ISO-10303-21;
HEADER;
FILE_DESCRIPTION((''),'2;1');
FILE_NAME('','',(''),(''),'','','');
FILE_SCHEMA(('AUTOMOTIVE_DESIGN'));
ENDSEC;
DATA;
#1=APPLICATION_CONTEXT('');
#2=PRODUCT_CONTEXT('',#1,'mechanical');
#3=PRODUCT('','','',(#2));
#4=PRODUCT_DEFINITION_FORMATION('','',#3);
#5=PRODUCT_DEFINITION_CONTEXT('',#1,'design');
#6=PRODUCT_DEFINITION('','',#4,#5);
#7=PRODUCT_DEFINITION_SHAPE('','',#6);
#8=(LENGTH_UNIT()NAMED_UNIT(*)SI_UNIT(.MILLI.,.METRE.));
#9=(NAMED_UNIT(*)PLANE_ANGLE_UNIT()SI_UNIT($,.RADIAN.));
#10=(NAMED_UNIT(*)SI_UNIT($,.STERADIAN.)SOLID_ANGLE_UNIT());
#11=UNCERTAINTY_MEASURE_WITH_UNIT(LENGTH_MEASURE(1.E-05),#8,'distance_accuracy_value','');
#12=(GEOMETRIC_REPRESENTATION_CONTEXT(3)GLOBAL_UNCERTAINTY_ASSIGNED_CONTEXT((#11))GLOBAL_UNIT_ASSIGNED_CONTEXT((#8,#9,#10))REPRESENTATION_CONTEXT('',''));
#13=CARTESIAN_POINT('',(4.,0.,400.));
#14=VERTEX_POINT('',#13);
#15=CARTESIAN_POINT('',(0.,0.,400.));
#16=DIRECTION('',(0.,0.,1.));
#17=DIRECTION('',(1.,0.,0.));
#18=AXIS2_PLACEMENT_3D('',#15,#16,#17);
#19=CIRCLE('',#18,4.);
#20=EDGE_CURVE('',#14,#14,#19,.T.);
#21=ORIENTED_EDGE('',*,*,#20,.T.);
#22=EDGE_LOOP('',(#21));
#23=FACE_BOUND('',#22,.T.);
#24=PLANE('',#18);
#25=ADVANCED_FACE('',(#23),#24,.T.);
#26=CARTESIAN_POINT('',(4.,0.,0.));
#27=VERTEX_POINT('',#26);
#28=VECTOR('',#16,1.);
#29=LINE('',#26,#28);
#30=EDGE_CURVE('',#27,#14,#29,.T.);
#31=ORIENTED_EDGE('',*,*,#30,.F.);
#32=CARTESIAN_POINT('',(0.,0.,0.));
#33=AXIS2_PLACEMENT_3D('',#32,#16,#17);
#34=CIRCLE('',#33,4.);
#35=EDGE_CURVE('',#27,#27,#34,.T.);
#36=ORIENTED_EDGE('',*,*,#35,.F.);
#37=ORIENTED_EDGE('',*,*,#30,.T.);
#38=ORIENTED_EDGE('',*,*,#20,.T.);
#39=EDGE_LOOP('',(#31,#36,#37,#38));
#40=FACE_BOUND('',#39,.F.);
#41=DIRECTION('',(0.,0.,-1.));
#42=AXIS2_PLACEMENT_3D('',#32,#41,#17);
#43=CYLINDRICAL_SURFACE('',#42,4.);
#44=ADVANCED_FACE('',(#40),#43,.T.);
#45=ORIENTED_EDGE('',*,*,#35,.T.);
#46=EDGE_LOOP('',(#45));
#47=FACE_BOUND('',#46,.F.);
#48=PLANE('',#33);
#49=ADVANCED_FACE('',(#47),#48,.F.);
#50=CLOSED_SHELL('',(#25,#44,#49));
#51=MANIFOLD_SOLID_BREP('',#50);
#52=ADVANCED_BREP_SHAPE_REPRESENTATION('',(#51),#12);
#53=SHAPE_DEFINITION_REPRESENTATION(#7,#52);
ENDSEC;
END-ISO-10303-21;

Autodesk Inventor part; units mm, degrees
ref_plane "YZ Plane" through (0, 0, 0) normal (1, 0, 0) x (0, 1, 0)
ref_plane "XZ Plane" through (0, 0, 0) normal (0, 1, 0) x (-1, 0, 0)
ref_plane "XY Plane" through (0, 0, 0) normal (0, 0, 1) x (1, 0, 0)
sketch "Sketch1" plane through (0, 0, 0) normal (0, 0, 1) x (1, 0, 0)
  circle A0 centre (0, 0) radius 4
  dimension "d0" = 8
extrude "Extrusion1" add sketch "Sketch1" along normal blind 400
properties part number "BarraLista8mm"
